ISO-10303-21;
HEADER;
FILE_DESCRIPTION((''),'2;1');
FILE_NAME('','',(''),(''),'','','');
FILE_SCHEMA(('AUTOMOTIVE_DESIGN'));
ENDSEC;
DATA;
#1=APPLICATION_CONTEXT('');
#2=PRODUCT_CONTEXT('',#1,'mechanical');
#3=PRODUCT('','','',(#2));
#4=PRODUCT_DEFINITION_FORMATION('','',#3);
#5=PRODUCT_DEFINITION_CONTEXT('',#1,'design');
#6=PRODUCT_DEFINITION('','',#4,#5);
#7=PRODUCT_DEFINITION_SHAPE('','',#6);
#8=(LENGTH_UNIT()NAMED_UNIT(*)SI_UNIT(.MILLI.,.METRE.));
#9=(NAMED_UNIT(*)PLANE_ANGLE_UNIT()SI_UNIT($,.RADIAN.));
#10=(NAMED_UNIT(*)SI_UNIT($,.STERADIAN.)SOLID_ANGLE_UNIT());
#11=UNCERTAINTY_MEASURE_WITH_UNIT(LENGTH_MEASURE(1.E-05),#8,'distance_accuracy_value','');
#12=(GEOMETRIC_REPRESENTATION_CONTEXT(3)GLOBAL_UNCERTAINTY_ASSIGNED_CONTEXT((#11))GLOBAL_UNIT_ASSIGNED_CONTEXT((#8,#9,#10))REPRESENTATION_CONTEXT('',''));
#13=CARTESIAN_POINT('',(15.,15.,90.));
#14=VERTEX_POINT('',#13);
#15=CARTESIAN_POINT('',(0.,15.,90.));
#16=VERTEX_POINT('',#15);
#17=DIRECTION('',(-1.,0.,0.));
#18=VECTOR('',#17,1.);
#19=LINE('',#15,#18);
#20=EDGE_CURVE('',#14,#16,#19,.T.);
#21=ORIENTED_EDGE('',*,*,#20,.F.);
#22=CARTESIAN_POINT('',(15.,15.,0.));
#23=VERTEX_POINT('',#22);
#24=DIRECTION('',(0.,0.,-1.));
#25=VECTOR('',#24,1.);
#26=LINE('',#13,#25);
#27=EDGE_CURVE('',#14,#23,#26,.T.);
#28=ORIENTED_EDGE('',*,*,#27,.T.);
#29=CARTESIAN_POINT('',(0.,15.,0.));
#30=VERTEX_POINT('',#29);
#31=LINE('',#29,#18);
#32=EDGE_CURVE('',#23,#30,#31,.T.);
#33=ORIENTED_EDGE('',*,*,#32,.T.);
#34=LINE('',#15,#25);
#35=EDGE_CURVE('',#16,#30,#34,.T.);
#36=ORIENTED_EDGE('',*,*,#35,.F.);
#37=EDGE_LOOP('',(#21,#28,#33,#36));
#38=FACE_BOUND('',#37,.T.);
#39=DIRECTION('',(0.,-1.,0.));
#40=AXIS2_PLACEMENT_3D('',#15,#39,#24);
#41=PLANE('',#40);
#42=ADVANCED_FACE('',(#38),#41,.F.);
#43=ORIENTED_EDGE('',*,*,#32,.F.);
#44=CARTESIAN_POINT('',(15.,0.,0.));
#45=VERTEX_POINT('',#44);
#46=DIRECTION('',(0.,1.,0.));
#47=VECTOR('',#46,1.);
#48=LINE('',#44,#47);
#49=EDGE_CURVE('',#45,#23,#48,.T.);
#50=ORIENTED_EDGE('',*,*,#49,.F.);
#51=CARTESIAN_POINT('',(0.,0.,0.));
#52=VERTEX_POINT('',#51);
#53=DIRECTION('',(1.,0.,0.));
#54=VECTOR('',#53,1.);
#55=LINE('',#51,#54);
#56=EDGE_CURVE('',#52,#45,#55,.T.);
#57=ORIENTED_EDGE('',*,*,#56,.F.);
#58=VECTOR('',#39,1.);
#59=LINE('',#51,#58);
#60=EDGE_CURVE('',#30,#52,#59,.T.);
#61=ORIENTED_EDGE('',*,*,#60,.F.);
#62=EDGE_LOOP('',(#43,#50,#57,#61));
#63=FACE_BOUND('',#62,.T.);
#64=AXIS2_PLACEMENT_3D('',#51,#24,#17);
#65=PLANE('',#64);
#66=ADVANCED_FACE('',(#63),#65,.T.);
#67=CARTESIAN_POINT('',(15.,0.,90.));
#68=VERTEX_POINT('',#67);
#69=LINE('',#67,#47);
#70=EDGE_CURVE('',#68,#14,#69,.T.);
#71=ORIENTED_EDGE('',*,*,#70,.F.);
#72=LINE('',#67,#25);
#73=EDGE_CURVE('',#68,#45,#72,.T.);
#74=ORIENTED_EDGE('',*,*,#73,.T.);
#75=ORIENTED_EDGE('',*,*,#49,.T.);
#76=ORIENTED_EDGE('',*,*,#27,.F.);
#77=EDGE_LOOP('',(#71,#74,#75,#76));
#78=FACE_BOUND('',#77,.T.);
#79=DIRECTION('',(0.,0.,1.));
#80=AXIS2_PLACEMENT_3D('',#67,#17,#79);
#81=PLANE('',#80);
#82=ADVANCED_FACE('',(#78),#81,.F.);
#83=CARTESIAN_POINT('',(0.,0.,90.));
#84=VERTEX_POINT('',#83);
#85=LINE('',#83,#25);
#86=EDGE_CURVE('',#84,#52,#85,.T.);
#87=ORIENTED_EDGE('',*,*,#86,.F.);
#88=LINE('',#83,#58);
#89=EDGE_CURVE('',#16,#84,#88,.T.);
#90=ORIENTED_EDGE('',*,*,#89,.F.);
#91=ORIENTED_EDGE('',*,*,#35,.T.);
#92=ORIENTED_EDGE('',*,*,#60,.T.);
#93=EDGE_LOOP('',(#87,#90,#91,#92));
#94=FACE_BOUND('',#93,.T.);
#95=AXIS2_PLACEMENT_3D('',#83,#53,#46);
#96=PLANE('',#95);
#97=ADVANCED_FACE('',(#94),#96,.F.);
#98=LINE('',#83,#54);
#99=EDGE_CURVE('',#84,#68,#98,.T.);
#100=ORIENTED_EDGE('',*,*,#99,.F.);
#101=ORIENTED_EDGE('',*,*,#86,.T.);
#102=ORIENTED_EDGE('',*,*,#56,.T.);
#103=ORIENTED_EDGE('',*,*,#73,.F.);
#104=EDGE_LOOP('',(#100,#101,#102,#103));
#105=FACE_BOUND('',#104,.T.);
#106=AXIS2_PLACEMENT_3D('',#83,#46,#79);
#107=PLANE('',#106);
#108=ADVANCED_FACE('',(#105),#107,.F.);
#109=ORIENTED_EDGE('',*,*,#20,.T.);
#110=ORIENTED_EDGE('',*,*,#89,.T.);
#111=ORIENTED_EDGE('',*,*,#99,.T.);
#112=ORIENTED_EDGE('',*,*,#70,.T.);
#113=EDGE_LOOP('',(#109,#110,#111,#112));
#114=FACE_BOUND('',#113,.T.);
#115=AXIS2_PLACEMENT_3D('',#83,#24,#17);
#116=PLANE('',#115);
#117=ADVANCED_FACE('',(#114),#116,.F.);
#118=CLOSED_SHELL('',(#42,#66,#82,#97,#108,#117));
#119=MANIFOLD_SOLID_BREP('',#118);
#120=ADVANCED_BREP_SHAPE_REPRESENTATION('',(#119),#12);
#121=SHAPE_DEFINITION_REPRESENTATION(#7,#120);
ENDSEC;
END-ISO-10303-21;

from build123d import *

# Parameters (mm, degrees)
SKETCH1_W           = 15
SKETCH1_H           = 15
BOSS_EXTRUDE1_DEPTH = 90


with BuildPart() as part:
    # Sketch1 → Boss-Extrude1 (new body)
    with BuildSketch(Plane.XY):
        with Locations((7.5, 7.5)):
            Rectangle(SKETCH1_W, SKETCH1_H)
    extrude(amount=BOSS_EXTRUDE1_DEPTH)


solid = part.part
